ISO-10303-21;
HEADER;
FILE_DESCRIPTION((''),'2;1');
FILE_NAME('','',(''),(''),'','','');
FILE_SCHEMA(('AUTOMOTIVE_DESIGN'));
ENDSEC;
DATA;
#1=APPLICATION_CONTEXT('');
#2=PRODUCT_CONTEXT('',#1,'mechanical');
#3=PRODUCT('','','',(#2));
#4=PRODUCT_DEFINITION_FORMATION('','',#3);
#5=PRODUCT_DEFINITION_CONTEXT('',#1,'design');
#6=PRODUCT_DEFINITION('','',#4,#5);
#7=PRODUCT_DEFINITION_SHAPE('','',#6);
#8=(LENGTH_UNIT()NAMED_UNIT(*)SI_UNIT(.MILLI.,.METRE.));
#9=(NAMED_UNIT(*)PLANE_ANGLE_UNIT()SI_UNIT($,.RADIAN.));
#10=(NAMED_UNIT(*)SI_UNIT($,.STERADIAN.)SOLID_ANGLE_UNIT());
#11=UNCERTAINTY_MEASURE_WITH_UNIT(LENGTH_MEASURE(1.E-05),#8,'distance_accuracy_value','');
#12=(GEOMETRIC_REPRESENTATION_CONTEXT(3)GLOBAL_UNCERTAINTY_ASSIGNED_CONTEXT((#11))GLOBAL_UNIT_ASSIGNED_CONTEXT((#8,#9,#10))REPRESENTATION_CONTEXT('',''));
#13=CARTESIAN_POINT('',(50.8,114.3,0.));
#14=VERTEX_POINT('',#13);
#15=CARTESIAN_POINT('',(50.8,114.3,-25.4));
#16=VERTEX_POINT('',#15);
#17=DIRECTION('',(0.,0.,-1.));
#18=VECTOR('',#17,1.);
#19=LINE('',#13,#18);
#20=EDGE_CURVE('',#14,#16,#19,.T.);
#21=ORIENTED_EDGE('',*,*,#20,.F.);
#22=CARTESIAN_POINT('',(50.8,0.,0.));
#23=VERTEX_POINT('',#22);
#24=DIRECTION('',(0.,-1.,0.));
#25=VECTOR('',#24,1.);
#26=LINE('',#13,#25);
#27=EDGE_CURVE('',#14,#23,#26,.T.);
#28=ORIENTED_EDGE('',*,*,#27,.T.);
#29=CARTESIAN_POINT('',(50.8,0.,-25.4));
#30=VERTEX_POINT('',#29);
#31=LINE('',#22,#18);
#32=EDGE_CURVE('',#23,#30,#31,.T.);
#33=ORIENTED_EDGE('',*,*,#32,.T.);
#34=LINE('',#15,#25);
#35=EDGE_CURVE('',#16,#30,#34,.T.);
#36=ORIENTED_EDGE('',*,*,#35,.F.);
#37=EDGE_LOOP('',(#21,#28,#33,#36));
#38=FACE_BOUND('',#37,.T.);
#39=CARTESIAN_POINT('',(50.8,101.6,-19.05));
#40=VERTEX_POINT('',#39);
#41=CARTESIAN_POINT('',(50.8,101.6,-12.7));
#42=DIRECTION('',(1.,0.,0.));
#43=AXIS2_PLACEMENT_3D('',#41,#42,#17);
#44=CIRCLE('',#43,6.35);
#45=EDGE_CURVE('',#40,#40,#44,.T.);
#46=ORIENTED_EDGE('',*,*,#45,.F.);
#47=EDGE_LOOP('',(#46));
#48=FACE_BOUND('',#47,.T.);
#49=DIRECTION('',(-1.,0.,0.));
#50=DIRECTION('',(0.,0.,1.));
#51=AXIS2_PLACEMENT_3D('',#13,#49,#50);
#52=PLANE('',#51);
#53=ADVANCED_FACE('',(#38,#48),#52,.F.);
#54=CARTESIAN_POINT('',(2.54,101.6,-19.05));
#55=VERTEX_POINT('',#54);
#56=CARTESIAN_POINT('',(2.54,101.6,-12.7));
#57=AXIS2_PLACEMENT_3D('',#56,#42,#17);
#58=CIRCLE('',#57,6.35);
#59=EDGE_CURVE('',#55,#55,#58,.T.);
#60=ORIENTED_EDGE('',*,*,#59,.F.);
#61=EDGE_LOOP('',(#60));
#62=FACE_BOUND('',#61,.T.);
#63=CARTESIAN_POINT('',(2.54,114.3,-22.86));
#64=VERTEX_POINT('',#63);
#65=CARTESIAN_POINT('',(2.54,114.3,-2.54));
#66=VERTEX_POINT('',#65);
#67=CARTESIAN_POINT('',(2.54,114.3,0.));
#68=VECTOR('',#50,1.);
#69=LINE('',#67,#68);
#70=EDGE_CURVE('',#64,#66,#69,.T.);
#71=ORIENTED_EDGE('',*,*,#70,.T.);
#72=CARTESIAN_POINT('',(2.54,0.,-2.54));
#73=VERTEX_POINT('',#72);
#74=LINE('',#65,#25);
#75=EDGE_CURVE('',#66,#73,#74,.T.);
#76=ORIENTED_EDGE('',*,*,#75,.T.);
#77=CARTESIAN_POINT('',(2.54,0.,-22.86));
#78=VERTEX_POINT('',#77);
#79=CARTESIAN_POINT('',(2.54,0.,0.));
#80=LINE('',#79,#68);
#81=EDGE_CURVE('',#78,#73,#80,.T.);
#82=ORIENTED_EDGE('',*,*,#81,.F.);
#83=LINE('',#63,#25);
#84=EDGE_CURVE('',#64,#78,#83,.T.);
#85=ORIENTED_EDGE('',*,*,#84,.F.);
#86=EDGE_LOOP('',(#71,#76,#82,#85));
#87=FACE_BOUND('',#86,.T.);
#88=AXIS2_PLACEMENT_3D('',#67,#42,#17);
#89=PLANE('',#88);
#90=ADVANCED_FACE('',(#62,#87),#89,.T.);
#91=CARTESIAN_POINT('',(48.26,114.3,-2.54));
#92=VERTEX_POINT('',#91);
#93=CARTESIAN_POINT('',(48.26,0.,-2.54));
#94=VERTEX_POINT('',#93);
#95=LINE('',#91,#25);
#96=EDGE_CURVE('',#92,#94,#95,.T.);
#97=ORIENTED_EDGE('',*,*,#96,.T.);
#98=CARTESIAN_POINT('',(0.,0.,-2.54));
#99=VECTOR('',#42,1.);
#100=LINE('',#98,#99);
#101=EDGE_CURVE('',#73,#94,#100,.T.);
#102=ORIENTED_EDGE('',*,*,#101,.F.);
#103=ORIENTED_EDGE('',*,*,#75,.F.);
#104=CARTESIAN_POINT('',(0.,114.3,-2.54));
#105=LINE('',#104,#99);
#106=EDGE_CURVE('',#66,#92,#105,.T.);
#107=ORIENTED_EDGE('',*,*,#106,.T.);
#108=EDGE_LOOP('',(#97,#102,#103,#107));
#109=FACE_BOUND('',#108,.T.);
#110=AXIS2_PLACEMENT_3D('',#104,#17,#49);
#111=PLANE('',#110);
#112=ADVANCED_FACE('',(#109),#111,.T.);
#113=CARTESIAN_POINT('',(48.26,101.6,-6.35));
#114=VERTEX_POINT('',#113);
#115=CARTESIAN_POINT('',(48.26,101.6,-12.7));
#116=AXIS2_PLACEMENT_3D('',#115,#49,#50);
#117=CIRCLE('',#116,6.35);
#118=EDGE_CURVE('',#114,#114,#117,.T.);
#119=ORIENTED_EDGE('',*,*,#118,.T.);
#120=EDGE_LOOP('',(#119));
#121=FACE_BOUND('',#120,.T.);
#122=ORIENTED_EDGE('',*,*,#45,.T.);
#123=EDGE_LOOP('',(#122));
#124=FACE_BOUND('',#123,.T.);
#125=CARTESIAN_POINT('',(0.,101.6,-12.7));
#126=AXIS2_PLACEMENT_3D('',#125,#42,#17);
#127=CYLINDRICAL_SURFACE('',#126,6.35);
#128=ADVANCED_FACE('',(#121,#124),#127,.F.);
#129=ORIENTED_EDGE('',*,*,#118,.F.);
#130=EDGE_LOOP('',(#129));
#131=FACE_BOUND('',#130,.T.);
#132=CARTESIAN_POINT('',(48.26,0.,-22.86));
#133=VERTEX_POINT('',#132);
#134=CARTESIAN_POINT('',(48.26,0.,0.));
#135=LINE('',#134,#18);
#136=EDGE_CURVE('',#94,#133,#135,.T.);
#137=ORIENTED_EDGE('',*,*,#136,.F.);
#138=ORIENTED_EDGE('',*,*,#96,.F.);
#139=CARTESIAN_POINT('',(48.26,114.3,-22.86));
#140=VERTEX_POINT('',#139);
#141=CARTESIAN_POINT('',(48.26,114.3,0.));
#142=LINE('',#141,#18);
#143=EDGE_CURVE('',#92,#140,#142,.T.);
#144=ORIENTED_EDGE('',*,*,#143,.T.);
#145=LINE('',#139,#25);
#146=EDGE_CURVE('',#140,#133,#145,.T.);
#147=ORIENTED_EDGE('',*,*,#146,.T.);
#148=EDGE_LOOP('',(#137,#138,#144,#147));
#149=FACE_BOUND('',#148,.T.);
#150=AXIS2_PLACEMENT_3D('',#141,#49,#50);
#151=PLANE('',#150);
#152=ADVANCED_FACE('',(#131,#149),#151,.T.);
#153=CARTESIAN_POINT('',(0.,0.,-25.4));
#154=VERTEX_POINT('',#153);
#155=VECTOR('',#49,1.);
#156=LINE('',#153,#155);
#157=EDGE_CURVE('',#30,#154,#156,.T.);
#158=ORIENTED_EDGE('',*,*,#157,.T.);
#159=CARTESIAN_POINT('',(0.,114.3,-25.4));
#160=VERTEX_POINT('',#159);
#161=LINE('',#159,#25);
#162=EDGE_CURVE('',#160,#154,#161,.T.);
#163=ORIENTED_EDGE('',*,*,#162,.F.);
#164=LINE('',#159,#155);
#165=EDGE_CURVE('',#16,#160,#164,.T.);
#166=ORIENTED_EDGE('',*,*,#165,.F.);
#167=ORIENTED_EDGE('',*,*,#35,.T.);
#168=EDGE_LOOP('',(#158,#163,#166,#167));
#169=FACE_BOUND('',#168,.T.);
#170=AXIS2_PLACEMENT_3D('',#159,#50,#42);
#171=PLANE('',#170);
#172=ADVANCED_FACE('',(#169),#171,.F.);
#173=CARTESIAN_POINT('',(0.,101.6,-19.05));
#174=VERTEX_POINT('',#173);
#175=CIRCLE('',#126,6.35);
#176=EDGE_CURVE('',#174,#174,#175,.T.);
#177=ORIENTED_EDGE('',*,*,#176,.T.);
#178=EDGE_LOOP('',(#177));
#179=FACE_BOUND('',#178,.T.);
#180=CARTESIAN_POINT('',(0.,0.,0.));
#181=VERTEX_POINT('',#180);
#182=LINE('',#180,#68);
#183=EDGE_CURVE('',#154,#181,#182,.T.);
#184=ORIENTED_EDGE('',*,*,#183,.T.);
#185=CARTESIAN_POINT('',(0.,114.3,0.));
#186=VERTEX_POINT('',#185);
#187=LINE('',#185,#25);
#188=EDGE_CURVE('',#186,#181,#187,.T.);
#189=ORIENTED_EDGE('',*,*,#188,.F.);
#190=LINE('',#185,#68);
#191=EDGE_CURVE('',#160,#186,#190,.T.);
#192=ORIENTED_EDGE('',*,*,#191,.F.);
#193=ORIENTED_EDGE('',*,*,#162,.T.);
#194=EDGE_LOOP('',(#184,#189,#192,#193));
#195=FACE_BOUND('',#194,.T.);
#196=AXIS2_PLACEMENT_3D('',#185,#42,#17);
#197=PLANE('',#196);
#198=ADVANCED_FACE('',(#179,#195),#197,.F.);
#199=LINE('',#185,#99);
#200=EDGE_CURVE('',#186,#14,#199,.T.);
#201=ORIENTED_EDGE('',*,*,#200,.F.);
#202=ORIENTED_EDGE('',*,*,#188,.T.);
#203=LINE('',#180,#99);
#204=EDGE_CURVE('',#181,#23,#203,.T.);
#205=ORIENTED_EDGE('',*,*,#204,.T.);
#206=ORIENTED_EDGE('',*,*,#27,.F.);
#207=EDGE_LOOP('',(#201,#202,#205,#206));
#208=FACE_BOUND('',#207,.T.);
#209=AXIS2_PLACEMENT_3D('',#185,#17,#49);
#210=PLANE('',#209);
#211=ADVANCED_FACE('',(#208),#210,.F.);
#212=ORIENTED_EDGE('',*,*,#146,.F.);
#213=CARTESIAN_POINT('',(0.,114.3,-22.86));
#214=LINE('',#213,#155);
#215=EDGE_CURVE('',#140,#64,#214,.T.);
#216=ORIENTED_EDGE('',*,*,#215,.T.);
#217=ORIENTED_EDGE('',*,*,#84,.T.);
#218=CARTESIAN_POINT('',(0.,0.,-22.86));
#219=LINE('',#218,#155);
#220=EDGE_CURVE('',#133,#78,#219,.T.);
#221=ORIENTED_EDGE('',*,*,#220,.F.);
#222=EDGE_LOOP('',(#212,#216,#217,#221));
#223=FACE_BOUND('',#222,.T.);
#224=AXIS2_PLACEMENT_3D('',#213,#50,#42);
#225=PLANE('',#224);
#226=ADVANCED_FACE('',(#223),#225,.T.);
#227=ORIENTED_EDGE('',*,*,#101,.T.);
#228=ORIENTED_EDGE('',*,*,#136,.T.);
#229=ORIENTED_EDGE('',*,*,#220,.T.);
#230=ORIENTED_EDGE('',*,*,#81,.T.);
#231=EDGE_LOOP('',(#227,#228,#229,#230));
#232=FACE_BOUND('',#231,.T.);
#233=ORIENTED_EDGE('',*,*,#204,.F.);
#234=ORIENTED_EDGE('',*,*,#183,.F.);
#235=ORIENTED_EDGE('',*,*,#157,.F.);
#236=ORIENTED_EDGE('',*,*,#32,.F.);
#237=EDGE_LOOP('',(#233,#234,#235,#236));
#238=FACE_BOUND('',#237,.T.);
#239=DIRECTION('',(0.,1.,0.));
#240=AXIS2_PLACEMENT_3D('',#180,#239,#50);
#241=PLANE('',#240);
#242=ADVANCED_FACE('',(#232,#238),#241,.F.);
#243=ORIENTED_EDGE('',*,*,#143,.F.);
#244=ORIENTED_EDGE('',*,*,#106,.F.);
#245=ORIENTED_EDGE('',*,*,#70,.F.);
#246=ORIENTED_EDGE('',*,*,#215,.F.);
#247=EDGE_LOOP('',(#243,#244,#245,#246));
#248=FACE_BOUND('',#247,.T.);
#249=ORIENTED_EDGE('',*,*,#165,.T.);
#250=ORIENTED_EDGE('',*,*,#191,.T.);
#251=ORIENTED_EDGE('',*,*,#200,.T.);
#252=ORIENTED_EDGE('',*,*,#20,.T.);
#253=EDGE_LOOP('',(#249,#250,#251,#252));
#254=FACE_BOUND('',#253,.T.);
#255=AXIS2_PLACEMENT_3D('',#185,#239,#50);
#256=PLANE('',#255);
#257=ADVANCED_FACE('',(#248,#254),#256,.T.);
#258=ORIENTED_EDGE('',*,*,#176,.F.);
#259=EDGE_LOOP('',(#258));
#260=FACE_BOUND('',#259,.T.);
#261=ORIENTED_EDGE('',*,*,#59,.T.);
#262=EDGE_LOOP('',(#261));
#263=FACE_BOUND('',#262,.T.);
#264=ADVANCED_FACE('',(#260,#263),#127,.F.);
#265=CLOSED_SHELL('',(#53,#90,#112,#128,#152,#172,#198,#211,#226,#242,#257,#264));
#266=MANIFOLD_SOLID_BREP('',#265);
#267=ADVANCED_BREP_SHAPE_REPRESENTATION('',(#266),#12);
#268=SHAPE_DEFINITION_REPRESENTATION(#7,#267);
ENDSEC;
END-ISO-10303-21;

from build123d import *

# Parameters (mm, degrees)
SKETCH1_W           = 50.8
SKETCH1_H           = 25.4
SKETCH1_W_2         = 45.72
SKETCH1_H_2         = 20.32
EXTRUDE_THIN1_DEPTH = 114.3
SKETCH2_R           = 6.35
CUT_EXTRUDE1_DEPTH  = 51.8


with BuildPart() as part:
    # Sketch1 → Extrude-Thin1 (new body)
    with BuildSketch(Plane(origin=(0, 0, 0), x_dir=(1, 0, 0), z_dir=(0, 1, 0))):
        with Locations((25.4, 12.7)):
            Rectangle(SKETCH1_W, SKETCH1_H)
        with Locations((25.4, 12.7)):
            Rectangle(SKETCH1_W_2, SKETCH1_H_2, mode=Mode.SUBTRACT)
    extrude(amount=EXTRUDE_THIN1_DEPTH)

    # Sketch2 → Cut-Extrude1 (cut, through all)
    with BuildSketch(Plane(origin=(50.8, 0, 0), x_dir=(0, 0, -1), z_dir=(1, 0, 0))):
        with Locations((12.7, 101.6)):
            Circle(SKETCH2_R)
    extrude(amount=-CUT_EXTRUDE1_DEPTH, mode=Mode.SUBTRACT)


solid = part.part
